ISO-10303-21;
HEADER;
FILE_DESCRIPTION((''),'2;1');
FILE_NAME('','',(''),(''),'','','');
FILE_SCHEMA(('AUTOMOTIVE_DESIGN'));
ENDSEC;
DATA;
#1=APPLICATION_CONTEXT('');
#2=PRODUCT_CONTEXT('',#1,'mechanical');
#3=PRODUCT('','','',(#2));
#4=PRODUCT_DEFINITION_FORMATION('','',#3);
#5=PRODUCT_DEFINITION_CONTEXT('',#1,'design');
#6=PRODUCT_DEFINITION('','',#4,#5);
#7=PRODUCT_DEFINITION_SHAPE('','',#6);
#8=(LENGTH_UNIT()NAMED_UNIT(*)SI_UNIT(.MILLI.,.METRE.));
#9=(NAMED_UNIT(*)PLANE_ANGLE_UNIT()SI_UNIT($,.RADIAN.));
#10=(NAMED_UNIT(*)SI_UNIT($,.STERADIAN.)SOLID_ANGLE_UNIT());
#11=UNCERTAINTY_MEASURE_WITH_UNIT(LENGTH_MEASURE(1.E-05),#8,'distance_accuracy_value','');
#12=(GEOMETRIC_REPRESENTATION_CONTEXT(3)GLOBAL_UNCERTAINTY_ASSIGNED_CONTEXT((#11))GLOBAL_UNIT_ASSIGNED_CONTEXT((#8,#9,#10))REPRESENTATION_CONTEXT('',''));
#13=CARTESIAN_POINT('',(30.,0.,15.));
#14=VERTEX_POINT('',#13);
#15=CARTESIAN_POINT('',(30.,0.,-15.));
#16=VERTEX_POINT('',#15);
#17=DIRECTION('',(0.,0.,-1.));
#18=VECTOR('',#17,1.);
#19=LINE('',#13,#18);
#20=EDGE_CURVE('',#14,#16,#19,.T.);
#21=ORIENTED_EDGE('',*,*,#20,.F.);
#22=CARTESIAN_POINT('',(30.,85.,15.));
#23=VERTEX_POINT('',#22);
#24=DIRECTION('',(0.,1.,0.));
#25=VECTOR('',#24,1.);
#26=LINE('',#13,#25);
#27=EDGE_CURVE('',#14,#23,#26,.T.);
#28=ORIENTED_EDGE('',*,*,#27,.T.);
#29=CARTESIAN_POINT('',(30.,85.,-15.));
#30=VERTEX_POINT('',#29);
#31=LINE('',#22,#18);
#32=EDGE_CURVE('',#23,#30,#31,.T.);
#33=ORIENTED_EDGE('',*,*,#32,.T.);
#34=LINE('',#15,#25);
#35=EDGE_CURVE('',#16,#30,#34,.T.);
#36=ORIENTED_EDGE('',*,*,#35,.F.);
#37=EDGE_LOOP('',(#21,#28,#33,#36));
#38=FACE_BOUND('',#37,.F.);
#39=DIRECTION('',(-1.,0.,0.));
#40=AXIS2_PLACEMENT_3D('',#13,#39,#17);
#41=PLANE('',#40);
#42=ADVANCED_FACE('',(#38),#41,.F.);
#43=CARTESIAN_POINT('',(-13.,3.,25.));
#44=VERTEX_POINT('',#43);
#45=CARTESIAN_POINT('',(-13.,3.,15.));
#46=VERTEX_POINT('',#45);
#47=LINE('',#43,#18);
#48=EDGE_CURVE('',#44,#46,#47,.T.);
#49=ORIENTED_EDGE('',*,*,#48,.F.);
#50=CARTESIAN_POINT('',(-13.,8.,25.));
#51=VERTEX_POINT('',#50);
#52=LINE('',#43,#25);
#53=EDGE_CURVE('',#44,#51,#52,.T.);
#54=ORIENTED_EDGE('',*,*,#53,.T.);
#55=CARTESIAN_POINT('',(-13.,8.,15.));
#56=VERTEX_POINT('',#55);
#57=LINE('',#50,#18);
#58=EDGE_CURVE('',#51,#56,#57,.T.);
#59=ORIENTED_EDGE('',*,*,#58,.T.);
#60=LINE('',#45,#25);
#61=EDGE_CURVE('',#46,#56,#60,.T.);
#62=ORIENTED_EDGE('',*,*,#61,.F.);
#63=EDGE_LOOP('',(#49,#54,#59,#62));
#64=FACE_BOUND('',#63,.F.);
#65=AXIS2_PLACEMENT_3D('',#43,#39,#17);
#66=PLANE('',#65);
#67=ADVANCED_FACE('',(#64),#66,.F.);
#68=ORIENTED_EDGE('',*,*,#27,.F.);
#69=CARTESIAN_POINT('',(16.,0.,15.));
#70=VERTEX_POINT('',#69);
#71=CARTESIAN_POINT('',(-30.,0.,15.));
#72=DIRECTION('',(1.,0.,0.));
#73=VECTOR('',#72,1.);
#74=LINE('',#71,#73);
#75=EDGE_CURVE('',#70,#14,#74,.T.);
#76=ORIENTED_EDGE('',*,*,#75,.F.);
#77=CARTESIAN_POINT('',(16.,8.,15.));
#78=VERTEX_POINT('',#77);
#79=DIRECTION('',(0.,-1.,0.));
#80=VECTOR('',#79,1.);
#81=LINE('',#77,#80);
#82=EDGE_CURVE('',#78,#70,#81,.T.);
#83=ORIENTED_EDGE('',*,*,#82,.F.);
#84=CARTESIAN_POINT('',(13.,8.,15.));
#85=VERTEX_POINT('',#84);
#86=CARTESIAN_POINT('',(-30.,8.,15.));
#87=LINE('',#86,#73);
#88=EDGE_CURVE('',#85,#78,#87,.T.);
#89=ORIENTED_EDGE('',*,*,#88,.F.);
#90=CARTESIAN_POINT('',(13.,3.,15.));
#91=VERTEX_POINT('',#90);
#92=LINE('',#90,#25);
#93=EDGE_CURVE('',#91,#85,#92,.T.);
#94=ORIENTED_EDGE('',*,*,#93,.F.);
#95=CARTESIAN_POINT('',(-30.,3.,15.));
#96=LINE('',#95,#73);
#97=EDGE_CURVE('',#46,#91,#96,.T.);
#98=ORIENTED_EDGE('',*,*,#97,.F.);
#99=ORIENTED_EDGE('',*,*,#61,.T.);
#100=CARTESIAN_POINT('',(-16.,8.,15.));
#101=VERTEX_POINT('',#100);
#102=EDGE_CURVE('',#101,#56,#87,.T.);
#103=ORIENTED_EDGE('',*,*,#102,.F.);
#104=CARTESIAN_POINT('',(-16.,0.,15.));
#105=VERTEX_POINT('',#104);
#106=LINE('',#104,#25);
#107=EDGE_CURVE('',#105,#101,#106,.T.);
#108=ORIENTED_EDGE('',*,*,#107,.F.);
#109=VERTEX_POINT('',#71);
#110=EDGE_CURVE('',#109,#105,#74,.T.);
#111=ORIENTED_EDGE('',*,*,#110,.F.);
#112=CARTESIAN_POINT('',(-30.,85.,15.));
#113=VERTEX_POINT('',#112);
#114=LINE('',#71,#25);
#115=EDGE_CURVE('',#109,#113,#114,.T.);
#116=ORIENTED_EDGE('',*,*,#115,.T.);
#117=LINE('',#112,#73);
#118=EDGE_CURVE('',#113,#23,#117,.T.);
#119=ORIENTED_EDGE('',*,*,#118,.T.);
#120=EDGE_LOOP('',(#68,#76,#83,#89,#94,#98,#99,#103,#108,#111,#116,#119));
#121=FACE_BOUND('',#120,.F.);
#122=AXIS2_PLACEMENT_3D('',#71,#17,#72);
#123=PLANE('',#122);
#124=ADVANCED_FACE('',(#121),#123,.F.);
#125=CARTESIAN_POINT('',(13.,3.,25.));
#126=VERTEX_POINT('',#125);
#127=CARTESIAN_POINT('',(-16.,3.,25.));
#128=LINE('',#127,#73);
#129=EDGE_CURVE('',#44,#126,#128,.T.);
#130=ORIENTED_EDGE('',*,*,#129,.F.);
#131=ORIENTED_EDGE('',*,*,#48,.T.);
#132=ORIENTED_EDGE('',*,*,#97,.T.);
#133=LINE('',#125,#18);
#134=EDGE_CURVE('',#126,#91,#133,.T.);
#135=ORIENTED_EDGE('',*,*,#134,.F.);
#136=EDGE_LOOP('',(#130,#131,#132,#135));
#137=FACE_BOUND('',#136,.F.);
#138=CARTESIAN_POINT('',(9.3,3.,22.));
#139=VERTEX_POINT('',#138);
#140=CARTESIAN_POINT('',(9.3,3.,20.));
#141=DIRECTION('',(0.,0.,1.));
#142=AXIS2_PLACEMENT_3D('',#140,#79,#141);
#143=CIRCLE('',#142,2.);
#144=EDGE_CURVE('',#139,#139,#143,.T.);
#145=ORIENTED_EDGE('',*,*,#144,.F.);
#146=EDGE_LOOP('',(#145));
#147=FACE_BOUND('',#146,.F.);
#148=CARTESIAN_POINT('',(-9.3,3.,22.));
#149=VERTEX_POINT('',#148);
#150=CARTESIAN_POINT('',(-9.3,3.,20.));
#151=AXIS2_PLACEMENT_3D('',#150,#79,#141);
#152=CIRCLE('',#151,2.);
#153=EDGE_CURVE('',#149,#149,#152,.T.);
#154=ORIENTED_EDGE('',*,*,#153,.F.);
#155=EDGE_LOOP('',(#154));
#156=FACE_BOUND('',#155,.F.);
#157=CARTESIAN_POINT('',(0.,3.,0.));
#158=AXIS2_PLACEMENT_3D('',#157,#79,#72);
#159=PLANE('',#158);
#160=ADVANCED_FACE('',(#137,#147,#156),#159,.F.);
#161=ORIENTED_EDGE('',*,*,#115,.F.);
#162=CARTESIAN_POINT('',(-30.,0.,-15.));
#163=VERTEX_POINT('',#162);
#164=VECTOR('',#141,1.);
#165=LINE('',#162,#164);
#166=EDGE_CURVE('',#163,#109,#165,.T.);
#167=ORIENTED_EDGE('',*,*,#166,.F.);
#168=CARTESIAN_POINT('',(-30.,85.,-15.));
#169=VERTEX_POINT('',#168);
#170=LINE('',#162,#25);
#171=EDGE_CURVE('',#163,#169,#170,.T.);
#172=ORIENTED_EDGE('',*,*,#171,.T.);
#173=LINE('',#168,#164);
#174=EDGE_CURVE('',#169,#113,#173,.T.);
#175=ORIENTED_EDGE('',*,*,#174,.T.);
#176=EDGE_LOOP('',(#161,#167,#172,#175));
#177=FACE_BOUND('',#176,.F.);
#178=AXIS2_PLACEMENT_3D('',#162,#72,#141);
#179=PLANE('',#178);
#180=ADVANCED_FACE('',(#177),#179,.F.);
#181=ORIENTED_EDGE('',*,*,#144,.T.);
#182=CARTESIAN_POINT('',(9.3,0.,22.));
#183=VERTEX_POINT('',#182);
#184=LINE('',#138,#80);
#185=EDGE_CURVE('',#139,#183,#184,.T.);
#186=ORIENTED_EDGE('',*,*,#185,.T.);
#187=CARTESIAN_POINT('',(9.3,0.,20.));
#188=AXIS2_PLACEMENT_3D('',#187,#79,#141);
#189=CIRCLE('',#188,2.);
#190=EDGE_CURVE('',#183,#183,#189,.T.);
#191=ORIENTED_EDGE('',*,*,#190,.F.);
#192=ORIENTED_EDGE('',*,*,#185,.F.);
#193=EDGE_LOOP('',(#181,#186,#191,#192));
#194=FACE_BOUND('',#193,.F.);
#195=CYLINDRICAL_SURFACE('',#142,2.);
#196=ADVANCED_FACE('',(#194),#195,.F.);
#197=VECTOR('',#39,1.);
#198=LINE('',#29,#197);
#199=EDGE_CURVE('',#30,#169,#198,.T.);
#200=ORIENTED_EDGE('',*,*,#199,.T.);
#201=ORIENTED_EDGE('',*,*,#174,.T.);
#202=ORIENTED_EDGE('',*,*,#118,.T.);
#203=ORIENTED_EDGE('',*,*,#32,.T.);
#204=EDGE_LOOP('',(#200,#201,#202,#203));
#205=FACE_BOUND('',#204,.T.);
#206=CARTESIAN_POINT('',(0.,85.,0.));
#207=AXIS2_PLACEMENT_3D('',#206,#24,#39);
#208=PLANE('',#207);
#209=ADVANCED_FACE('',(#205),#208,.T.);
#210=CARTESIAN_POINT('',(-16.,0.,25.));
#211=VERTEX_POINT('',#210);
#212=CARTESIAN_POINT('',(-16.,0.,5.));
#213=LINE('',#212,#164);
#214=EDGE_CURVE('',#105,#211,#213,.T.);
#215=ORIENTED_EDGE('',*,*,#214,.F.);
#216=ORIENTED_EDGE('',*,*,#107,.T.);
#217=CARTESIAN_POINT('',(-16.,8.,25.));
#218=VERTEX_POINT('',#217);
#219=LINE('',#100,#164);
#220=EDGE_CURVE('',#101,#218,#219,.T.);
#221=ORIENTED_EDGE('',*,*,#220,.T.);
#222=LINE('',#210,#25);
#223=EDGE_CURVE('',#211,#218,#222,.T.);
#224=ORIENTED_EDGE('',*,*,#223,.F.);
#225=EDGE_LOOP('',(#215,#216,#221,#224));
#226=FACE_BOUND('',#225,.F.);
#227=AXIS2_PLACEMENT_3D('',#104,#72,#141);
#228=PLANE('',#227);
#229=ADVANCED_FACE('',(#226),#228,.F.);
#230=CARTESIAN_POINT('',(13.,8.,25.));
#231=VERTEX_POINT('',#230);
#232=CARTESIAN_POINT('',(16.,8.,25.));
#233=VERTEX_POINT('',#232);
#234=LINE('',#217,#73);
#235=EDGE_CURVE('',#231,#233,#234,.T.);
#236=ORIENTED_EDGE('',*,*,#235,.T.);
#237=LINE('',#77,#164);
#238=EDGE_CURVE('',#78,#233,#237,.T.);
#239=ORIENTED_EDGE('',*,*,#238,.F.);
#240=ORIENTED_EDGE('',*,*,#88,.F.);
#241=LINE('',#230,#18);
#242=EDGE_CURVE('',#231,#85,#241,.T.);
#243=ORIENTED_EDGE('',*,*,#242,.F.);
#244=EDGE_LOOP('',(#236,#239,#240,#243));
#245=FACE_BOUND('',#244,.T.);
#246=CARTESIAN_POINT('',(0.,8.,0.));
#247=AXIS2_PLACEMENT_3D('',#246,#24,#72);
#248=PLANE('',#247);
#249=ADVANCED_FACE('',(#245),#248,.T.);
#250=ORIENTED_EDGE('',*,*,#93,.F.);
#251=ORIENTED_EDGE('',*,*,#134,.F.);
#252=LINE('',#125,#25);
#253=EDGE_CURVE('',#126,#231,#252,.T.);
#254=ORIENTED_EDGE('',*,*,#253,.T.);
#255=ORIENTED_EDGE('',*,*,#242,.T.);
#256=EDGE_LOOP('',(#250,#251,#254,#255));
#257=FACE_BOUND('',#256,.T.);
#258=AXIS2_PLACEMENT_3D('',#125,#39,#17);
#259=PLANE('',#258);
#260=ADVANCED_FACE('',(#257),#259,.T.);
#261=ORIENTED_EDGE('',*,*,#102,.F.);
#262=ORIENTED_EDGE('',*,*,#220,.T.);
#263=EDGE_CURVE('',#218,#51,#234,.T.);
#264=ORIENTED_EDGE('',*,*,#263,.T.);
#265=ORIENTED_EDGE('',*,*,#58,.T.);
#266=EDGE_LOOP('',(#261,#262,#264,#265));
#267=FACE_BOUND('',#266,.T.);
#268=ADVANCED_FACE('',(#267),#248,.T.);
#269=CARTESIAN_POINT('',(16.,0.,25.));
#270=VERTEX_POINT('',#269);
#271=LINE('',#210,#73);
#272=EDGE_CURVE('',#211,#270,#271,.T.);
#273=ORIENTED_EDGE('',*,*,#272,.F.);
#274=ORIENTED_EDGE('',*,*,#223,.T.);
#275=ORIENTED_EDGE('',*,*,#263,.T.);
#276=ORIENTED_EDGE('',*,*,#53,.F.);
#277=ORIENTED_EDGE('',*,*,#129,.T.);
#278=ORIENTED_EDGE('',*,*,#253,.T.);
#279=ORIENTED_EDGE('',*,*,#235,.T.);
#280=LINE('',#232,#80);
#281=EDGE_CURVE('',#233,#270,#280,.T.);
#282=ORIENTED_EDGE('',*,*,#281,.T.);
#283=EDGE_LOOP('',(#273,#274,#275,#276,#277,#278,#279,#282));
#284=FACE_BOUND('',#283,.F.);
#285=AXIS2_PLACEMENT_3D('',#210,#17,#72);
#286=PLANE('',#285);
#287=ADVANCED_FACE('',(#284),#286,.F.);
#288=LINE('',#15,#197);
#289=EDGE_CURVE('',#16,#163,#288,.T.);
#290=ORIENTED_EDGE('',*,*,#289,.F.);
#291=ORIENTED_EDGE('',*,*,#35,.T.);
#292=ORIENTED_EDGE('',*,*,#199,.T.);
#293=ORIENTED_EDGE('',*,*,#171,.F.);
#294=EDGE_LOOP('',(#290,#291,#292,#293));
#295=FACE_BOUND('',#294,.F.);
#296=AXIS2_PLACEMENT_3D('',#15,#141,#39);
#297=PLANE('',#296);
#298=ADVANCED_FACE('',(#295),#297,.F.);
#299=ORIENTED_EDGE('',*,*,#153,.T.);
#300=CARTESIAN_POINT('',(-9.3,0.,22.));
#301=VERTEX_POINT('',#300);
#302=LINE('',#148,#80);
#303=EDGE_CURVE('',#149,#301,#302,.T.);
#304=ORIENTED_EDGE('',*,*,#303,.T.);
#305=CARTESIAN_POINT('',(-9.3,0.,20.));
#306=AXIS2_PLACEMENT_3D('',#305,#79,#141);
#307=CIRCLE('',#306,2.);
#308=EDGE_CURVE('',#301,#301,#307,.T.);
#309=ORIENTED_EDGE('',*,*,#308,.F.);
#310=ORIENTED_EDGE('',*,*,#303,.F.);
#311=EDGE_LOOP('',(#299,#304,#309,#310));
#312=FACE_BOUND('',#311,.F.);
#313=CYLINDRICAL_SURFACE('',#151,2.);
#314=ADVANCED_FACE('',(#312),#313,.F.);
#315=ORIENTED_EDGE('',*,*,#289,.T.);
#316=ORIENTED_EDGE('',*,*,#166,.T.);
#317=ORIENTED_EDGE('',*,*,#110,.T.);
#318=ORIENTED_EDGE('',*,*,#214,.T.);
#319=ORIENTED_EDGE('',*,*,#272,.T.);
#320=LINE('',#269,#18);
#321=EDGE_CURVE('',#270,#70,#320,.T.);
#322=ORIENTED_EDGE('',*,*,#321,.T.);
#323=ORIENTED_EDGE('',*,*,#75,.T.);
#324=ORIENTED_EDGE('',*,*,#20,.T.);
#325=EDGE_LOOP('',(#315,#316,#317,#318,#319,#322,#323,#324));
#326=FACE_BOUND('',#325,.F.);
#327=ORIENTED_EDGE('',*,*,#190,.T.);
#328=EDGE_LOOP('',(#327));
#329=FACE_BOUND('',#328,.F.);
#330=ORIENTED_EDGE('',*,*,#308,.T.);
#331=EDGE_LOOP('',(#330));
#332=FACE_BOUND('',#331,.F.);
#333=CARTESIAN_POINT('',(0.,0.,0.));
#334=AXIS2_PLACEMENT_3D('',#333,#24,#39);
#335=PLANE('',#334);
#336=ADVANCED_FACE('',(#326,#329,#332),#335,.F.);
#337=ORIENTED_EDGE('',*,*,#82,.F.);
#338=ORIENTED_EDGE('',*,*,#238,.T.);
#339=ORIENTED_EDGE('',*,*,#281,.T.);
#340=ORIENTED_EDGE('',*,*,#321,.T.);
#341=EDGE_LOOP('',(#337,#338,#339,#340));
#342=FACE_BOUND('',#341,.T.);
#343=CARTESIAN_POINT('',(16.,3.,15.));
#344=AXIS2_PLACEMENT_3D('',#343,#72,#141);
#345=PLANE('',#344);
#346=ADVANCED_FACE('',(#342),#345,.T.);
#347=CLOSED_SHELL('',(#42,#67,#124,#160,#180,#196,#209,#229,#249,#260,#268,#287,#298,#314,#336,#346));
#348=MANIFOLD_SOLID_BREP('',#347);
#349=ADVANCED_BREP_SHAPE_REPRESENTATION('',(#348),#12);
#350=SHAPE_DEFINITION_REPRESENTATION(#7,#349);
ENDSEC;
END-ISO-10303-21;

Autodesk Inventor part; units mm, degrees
ref_plane "YZ Plane" through (0, 0, 0) normal (1, 0, 0) x (0, 1, 0)
ref_plane "XZ Plane" through (0, 0, 0) normal (0, 1, 0) x (-1, 0, 0)
ref_plane "XY Plane" through (0, 0, 0) normal (0, 0, 1) x (1, 0, 0)
sketch "スケッチ1" plane through (0, 0, 0) normal (0, 1, 0) x (-1, 0, 0)
  line L0 (30, 15) -> (-30, 15)
  line L1 (-30, 15) -> (-30, -15)
  line L2 (-30, -15) -> (30, -15)
  line L3 (30, -15) -> (30, 15)
  line L4 (30, 15) -> (-30, -15) construction
  line L5 (-30, 15) -> (30, -15) construction
  point P0 (0, 0)
  dimension "d0" = 60
  dimension "d1" = 30
extrude "押し出し1" add sketch "スケッチ1" along normal blind 85
sketch "スケッチ2" plane through (0, 0, 0) normal (0, -1, 0) x (1, 0, 0)
  line L0 (16, 5) -> (-16, 5)
  line L1 (-16, 5) -> (-16, 25)
  line L2 (-16, 25) -> (16, 25)
  line L3 (16, 25) -> (16, 5)
  line L4 (-30, 15) -> (30, 15) projected
  line L5 (16, 5) -> (-16, 25) construction
  line L6 (-16, 5) -> (16, 25) construction
  point P0 (0, 0)
  point P1 (0, 15)
  point P2 (-16, 15)
  point P3 (16, 15)
  dimension "d4" = 32
  dimension "d5" = 20
extrude "押し出し2" add sketch "スケッチ2" against normal blind 3 contours L4 L1 L2 L3
sketch "スケッチ3" plane through (0, 3, 0) normal (0, 1, 0) x (1, 0, 0)
  line L0 (-16, -25) -> (16, -25) projected
  line L1 (-30, -15) -> (30, -15) projected
  line L2 (16, -25) -> (13, -25)
  line L3 (13, -25) -> (13, -15)
  line L4 (13, -15) -> (16, -15)
  line L5 (16, -15) -> (16, -25)
  line L6 (-16, -15) -> (-16, -25) projected
  line L7 (-16, -25) -> (-13, -25)
  line L8 (-13, -25) -> (-13, -15)
  line L9 (-13, -15) -> (-16, -15)
  line L10 (-16, -15) -> (-16, -25)
  point P0 (0, 0)
  point P1 (-13, -25)
  point P2 (-13, -15)
  point P3 (16, -15)
  dimension "d8" = 3
  dimension "d9" = 3
extrude "押し出し3" add sketch "スケッチ3" along normal blind 5 contours L6 L1 L8 L0 | L3 L1 L5 L0
sketch "スケッチ4" plane through (0, 3, 0) normal (0, 1, 0) x (1, 0, 0)
  line L0 (13, -25) -> (16, -25) projected
  line L1 (-13, -15) -> (-13, -25) projected
  line L2 (13, -25) -> (-13, -25)
  line L3 (-13, -25) -> (-13, -20)
  line L4 (-13, -20) -> (13, -20)
  line L5 (13, -20) -> (13, -25)
  line L6 (-13, -15) -> (13, -15) projected
  line L7 (9.3, -25) -> (-9.3, -25)
  line L8 (-9.3, -25) -> (-9.3, -15)
  line L9 (-9.3, -15) -> (9.3, -15)
  line L10 (9.3, -15) -> (9.3, -25)
  line L11 (9.3, -25) -> (-9.3, -15) construction
  line L12 (-9.3, -25) -> (9.3, -15) construction
  point P0 (0, 0)
  point P1 (0, -20)
  point P2 (9.3, -20)
  point P3 (-9.3, -20)
  dimension "d12" = 5
  dimension "d13" = 18.6
hole "穴1" at (9.3, 3, 20) at (-9.3, 3, 20) direction (0, -1, 0) diameter 4 end through all
properties part number "_3D プリント"
